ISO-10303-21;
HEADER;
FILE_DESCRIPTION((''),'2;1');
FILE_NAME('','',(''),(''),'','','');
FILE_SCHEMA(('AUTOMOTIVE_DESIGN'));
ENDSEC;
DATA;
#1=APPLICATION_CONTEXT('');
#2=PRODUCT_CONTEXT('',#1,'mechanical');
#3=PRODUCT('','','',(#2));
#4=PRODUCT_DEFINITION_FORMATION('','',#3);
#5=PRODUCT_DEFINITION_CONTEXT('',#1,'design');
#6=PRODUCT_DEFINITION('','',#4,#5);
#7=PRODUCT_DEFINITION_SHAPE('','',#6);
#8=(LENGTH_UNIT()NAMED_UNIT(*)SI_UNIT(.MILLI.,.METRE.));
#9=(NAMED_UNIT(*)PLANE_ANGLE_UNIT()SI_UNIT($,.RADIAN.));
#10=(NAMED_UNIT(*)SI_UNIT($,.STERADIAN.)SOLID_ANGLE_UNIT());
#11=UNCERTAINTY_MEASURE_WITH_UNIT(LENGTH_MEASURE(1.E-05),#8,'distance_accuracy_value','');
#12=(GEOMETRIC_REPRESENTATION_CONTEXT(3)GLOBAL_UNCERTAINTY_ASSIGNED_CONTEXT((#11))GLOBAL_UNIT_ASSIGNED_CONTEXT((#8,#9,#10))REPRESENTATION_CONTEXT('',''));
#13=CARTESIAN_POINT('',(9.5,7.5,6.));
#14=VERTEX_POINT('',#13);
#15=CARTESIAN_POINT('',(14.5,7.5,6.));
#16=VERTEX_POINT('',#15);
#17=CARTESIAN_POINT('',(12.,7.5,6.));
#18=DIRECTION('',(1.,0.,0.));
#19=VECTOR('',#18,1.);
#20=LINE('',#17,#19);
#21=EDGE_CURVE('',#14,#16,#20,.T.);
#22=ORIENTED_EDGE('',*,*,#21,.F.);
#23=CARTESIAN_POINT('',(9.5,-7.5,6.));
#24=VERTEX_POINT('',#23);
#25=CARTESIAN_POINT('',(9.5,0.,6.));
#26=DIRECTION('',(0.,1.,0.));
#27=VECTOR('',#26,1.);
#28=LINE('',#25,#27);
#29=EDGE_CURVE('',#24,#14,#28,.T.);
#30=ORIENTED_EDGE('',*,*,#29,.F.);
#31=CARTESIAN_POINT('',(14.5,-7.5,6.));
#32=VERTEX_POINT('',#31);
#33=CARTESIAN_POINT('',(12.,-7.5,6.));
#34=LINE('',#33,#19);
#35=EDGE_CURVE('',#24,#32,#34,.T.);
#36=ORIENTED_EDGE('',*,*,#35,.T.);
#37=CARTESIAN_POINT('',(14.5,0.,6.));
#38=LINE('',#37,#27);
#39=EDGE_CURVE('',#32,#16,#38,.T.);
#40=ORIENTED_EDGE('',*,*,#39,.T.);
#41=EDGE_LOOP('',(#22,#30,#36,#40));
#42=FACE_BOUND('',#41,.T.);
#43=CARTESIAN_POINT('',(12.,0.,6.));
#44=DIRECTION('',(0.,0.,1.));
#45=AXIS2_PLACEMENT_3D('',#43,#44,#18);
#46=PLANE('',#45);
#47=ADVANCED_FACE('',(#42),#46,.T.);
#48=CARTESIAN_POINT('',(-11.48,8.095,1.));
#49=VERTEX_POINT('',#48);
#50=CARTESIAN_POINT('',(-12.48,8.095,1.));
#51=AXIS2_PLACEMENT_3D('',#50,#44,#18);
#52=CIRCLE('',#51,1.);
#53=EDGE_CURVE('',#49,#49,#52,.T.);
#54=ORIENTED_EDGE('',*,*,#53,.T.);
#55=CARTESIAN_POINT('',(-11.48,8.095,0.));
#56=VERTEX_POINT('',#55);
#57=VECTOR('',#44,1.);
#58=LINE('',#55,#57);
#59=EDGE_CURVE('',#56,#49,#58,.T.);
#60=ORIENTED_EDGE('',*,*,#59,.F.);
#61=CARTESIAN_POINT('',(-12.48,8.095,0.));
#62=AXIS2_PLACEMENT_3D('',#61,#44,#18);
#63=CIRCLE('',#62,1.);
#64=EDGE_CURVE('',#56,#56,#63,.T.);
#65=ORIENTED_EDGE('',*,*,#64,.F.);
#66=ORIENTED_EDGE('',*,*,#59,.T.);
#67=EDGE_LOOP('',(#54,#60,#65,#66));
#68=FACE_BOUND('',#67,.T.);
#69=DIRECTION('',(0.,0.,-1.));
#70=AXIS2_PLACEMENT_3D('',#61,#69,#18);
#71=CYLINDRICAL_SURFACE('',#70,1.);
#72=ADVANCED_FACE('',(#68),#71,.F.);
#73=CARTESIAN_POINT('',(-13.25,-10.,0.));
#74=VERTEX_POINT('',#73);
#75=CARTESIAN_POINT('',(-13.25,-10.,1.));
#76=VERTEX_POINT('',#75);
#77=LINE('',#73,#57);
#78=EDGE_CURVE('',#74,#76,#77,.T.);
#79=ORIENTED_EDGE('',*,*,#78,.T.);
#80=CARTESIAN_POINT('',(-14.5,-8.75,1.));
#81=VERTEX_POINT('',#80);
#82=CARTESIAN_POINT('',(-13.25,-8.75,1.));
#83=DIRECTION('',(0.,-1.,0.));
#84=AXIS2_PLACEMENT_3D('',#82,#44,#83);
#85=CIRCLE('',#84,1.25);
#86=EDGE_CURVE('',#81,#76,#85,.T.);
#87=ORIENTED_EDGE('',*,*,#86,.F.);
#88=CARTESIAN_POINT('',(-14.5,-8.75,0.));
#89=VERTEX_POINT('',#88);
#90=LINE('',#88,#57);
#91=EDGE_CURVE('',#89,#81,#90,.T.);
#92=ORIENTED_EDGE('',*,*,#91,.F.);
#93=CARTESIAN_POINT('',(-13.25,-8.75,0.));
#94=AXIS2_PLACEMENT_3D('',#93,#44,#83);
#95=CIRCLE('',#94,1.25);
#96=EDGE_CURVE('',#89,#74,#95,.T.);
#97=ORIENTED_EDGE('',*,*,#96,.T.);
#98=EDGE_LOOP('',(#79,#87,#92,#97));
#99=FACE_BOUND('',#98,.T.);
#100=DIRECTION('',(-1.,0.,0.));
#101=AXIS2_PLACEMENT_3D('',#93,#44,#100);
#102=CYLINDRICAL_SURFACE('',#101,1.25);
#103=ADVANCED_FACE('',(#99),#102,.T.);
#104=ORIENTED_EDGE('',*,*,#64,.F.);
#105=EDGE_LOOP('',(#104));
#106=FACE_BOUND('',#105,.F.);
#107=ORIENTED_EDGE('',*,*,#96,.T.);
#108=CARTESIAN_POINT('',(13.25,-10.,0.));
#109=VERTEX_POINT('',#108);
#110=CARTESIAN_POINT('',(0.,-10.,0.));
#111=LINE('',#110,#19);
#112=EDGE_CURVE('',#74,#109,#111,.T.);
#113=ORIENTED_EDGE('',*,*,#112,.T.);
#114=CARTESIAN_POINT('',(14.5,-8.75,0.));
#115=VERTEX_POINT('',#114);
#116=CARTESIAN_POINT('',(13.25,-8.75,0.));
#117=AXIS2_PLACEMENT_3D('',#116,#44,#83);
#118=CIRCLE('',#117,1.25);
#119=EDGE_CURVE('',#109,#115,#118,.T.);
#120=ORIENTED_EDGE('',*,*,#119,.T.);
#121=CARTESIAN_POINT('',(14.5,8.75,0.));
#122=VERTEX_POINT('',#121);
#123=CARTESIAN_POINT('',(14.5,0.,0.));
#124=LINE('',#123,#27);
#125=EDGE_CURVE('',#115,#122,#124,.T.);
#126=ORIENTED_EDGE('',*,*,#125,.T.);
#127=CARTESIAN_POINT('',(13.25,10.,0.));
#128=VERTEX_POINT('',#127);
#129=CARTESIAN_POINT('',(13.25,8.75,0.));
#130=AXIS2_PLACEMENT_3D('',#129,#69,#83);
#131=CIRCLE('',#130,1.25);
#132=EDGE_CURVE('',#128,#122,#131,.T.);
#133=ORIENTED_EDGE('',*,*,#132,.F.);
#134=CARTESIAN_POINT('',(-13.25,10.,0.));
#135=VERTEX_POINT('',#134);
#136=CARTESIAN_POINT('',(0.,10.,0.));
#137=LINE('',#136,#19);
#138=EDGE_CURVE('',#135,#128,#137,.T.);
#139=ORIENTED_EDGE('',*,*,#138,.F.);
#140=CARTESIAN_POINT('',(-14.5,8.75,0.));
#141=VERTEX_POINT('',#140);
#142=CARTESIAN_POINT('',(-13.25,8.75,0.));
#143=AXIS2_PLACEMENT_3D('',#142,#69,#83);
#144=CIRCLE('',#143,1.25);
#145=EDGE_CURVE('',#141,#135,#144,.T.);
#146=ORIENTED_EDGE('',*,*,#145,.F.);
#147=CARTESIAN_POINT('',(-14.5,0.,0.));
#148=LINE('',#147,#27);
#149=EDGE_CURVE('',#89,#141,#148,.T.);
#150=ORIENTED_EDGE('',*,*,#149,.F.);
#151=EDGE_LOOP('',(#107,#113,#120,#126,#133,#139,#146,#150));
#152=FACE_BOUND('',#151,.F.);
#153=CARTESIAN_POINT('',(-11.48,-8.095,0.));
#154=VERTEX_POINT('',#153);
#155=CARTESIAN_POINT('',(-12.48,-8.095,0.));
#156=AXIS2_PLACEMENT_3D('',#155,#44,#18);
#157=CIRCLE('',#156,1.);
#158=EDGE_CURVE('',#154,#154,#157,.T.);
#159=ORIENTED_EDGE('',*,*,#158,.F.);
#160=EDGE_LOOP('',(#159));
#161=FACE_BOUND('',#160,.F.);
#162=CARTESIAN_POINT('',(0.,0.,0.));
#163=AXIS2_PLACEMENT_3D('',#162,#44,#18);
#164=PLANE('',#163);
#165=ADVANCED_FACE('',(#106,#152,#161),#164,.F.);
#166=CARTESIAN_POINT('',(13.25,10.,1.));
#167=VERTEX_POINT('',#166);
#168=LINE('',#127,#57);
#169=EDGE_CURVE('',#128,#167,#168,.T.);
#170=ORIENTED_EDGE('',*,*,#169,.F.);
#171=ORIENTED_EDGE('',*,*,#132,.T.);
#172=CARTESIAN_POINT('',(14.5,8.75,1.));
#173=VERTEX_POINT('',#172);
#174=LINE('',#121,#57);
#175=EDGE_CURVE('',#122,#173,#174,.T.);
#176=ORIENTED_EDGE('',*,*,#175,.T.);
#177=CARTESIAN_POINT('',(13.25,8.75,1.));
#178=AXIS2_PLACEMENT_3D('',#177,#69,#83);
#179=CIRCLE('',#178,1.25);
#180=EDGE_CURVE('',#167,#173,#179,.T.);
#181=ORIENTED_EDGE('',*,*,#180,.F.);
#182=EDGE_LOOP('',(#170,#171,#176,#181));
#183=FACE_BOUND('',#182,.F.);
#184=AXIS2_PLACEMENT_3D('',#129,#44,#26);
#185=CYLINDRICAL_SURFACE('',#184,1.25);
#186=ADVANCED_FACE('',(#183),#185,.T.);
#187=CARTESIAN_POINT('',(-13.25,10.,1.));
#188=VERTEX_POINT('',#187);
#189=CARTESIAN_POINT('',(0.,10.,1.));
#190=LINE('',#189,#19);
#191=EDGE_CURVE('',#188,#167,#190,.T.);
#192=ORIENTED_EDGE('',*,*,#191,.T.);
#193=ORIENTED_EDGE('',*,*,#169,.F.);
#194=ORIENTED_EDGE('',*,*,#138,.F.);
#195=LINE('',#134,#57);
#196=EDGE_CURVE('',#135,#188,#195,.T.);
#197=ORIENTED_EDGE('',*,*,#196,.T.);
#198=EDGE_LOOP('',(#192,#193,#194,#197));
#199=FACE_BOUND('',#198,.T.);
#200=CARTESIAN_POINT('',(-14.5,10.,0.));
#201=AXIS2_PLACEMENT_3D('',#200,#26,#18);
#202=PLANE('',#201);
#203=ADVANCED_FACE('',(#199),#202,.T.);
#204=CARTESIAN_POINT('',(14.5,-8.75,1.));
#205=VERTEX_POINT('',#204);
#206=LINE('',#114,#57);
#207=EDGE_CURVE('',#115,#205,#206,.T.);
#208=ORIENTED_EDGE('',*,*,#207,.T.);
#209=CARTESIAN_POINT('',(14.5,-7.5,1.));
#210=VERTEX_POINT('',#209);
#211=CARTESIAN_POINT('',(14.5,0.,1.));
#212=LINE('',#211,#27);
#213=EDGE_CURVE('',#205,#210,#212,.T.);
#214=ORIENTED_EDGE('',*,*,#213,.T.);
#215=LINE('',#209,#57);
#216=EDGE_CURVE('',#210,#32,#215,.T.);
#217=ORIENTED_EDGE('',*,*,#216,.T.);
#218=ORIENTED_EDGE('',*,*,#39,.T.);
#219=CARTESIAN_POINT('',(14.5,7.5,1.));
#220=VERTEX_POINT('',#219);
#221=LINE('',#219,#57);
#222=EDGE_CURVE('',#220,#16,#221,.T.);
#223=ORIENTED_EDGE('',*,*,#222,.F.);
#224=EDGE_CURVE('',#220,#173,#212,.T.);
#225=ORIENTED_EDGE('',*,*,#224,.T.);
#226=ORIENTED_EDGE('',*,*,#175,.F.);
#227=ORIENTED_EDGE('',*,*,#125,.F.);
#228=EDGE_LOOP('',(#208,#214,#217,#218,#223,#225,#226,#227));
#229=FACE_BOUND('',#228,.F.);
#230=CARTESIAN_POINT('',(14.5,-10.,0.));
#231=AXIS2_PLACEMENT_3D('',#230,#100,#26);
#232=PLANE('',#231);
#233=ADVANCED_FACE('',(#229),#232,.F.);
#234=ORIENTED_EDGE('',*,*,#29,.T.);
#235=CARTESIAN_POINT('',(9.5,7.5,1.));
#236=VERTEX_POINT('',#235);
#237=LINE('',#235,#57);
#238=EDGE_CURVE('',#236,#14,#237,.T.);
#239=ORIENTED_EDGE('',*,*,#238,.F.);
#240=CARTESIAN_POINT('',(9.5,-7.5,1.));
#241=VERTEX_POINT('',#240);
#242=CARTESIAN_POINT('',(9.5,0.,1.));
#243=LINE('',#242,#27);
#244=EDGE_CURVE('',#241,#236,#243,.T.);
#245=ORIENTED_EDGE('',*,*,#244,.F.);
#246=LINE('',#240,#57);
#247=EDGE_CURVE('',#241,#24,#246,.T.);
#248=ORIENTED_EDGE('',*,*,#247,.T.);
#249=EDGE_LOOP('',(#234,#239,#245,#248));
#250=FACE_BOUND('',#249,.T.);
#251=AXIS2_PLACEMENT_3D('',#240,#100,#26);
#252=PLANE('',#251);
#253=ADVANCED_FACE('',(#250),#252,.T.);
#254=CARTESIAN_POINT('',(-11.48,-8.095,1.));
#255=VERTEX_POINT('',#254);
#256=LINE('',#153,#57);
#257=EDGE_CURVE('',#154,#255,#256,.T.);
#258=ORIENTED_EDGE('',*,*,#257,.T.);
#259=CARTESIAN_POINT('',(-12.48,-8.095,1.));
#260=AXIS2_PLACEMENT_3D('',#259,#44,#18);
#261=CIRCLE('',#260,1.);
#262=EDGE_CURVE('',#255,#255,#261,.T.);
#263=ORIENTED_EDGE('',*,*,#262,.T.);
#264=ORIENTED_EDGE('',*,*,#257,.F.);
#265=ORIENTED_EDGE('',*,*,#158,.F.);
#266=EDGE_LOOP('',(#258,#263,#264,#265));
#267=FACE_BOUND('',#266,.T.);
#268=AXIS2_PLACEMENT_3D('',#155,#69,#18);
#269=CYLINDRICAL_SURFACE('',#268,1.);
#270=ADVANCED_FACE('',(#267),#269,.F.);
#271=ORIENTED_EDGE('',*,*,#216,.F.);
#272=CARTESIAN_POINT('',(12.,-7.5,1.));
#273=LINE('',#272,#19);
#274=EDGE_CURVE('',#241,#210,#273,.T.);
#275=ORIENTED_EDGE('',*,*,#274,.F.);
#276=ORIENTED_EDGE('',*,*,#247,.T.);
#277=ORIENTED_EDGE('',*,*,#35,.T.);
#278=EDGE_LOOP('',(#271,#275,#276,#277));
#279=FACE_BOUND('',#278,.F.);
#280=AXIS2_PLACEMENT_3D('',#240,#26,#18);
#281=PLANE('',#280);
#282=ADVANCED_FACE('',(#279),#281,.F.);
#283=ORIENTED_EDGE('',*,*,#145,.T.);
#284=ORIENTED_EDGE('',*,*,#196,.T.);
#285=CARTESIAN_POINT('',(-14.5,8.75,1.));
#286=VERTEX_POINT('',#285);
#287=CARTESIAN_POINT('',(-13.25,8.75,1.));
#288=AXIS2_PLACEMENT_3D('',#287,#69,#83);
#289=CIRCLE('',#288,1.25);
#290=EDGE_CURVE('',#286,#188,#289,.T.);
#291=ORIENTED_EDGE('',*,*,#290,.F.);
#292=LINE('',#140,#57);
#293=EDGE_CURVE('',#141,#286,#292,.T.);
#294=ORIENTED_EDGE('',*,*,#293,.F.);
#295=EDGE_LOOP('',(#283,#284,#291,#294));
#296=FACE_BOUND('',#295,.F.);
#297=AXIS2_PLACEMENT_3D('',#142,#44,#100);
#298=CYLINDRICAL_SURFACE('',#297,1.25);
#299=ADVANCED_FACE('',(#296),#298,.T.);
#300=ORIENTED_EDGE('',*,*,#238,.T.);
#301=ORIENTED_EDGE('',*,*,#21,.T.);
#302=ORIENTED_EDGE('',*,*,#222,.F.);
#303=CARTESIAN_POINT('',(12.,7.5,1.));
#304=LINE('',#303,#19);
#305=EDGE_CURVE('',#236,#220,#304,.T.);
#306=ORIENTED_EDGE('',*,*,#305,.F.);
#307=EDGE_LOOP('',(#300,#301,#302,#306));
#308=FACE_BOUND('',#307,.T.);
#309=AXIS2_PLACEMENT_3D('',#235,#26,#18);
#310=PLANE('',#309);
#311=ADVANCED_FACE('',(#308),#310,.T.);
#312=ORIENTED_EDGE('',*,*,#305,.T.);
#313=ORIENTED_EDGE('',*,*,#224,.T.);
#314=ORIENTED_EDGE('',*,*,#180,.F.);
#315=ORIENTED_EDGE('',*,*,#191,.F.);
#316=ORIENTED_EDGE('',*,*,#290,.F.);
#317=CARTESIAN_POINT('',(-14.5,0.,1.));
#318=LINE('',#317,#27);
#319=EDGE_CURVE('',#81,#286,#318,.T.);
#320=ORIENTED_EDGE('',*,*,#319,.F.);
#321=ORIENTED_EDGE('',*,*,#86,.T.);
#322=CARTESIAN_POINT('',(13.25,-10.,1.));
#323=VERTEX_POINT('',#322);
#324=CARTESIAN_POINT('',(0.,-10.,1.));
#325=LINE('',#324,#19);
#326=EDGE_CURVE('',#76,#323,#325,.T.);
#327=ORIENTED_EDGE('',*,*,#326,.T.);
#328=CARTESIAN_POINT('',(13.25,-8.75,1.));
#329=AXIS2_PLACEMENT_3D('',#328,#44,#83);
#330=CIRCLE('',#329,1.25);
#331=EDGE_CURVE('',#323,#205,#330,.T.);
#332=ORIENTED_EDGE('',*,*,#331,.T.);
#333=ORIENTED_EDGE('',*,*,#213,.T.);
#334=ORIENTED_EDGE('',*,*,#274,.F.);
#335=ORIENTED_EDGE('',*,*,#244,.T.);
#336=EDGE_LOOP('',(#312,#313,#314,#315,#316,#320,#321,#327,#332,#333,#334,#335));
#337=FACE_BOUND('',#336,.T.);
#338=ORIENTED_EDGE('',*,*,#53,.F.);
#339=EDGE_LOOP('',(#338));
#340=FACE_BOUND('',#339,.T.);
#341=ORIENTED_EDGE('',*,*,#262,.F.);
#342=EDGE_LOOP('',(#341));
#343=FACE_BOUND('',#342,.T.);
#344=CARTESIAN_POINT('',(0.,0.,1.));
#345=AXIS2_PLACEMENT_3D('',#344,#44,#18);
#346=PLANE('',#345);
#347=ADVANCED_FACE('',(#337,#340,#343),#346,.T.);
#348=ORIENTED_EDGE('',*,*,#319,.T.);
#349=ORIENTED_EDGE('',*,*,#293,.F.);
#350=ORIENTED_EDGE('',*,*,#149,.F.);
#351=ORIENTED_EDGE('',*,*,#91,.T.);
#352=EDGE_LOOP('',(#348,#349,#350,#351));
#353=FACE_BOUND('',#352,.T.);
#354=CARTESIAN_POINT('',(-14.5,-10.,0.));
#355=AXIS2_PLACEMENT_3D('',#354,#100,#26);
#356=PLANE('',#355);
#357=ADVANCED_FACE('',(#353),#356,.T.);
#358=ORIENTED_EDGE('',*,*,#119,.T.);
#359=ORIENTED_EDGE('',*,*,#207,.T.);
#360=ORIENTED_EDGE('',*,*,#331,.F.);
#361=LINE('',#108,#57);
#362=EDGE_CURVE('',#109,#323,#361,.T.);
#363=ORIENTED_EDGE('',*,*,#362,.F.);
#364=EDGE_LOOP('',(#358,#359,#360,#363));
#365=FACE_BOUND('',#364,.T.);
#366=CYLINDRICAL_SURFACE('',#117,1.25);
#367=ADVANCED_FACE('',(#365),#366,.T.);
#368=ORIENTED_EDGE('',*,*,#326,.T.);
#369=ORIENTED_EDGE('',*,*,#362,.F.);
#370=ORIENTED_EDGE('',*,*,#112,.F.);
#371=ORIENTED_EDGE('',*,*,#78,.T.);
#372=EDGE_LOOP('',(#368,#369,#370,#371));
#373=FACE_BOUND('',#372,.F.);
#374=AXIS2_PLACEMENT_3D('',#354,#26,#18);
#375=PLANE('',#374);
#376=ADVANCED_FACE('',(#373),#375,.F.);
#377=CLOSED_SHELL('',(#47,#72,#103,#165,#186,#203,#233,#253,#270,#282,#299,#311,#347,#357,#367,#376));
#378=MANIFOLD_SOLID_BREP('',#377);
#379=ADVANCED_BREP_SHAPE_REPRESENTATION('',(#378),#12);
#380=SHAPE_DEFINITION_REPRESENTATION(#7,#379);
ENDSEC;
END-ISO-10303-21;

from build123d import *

# Parameters (mm, degrees)
SKETCH_W     = 29
SKETCH_H     = 20
SKETCH_R     = 1
PAD_DEPTH    = 1
FILLET_R     = 1.25
SKETCH001_W  = 5
SKETCH001_H  = 15
PAD001_DEPTH = 5


with BuildPart() as part:
    # Sketch → Pad (new body)
    with BuildSketch(Plane.XY):
        Rectangle(SKETCH_W, SKETCH_H)
        with Locations((-12.48, -8.095)):
            Circle(SKETCH_R, mode=Mode.SUBTRACT)
        with Locations((-12.48, 8.095)):
            Circle(SKETCH_R, mode=Mode.SUBTRACT)
    extrude(amount=PAD_DEPTH)

    # Fillet
    fillet_edges = [part.edges().sort_by_distance(p)[0] for p in [
        (14.5, -10, 0.5),
        (14.5, 10, 0.5),
        (-14.5, -10, 0.5),
        (-14.5, 10, 0.5),
    ]]
    fillet(fillet_edges, radius=FILLET_R)

    # Sketch001 (on Face5 of Fillet) → Pad001 (join)
    with BuildSketch(Plane.XY.offset(1)):
        with Locations((12, 0)):
            Rectangle(SKETCH001_W, SKETCH001_H)
    extrude(amount=PAD001_DEPTH)


solid = part.part
